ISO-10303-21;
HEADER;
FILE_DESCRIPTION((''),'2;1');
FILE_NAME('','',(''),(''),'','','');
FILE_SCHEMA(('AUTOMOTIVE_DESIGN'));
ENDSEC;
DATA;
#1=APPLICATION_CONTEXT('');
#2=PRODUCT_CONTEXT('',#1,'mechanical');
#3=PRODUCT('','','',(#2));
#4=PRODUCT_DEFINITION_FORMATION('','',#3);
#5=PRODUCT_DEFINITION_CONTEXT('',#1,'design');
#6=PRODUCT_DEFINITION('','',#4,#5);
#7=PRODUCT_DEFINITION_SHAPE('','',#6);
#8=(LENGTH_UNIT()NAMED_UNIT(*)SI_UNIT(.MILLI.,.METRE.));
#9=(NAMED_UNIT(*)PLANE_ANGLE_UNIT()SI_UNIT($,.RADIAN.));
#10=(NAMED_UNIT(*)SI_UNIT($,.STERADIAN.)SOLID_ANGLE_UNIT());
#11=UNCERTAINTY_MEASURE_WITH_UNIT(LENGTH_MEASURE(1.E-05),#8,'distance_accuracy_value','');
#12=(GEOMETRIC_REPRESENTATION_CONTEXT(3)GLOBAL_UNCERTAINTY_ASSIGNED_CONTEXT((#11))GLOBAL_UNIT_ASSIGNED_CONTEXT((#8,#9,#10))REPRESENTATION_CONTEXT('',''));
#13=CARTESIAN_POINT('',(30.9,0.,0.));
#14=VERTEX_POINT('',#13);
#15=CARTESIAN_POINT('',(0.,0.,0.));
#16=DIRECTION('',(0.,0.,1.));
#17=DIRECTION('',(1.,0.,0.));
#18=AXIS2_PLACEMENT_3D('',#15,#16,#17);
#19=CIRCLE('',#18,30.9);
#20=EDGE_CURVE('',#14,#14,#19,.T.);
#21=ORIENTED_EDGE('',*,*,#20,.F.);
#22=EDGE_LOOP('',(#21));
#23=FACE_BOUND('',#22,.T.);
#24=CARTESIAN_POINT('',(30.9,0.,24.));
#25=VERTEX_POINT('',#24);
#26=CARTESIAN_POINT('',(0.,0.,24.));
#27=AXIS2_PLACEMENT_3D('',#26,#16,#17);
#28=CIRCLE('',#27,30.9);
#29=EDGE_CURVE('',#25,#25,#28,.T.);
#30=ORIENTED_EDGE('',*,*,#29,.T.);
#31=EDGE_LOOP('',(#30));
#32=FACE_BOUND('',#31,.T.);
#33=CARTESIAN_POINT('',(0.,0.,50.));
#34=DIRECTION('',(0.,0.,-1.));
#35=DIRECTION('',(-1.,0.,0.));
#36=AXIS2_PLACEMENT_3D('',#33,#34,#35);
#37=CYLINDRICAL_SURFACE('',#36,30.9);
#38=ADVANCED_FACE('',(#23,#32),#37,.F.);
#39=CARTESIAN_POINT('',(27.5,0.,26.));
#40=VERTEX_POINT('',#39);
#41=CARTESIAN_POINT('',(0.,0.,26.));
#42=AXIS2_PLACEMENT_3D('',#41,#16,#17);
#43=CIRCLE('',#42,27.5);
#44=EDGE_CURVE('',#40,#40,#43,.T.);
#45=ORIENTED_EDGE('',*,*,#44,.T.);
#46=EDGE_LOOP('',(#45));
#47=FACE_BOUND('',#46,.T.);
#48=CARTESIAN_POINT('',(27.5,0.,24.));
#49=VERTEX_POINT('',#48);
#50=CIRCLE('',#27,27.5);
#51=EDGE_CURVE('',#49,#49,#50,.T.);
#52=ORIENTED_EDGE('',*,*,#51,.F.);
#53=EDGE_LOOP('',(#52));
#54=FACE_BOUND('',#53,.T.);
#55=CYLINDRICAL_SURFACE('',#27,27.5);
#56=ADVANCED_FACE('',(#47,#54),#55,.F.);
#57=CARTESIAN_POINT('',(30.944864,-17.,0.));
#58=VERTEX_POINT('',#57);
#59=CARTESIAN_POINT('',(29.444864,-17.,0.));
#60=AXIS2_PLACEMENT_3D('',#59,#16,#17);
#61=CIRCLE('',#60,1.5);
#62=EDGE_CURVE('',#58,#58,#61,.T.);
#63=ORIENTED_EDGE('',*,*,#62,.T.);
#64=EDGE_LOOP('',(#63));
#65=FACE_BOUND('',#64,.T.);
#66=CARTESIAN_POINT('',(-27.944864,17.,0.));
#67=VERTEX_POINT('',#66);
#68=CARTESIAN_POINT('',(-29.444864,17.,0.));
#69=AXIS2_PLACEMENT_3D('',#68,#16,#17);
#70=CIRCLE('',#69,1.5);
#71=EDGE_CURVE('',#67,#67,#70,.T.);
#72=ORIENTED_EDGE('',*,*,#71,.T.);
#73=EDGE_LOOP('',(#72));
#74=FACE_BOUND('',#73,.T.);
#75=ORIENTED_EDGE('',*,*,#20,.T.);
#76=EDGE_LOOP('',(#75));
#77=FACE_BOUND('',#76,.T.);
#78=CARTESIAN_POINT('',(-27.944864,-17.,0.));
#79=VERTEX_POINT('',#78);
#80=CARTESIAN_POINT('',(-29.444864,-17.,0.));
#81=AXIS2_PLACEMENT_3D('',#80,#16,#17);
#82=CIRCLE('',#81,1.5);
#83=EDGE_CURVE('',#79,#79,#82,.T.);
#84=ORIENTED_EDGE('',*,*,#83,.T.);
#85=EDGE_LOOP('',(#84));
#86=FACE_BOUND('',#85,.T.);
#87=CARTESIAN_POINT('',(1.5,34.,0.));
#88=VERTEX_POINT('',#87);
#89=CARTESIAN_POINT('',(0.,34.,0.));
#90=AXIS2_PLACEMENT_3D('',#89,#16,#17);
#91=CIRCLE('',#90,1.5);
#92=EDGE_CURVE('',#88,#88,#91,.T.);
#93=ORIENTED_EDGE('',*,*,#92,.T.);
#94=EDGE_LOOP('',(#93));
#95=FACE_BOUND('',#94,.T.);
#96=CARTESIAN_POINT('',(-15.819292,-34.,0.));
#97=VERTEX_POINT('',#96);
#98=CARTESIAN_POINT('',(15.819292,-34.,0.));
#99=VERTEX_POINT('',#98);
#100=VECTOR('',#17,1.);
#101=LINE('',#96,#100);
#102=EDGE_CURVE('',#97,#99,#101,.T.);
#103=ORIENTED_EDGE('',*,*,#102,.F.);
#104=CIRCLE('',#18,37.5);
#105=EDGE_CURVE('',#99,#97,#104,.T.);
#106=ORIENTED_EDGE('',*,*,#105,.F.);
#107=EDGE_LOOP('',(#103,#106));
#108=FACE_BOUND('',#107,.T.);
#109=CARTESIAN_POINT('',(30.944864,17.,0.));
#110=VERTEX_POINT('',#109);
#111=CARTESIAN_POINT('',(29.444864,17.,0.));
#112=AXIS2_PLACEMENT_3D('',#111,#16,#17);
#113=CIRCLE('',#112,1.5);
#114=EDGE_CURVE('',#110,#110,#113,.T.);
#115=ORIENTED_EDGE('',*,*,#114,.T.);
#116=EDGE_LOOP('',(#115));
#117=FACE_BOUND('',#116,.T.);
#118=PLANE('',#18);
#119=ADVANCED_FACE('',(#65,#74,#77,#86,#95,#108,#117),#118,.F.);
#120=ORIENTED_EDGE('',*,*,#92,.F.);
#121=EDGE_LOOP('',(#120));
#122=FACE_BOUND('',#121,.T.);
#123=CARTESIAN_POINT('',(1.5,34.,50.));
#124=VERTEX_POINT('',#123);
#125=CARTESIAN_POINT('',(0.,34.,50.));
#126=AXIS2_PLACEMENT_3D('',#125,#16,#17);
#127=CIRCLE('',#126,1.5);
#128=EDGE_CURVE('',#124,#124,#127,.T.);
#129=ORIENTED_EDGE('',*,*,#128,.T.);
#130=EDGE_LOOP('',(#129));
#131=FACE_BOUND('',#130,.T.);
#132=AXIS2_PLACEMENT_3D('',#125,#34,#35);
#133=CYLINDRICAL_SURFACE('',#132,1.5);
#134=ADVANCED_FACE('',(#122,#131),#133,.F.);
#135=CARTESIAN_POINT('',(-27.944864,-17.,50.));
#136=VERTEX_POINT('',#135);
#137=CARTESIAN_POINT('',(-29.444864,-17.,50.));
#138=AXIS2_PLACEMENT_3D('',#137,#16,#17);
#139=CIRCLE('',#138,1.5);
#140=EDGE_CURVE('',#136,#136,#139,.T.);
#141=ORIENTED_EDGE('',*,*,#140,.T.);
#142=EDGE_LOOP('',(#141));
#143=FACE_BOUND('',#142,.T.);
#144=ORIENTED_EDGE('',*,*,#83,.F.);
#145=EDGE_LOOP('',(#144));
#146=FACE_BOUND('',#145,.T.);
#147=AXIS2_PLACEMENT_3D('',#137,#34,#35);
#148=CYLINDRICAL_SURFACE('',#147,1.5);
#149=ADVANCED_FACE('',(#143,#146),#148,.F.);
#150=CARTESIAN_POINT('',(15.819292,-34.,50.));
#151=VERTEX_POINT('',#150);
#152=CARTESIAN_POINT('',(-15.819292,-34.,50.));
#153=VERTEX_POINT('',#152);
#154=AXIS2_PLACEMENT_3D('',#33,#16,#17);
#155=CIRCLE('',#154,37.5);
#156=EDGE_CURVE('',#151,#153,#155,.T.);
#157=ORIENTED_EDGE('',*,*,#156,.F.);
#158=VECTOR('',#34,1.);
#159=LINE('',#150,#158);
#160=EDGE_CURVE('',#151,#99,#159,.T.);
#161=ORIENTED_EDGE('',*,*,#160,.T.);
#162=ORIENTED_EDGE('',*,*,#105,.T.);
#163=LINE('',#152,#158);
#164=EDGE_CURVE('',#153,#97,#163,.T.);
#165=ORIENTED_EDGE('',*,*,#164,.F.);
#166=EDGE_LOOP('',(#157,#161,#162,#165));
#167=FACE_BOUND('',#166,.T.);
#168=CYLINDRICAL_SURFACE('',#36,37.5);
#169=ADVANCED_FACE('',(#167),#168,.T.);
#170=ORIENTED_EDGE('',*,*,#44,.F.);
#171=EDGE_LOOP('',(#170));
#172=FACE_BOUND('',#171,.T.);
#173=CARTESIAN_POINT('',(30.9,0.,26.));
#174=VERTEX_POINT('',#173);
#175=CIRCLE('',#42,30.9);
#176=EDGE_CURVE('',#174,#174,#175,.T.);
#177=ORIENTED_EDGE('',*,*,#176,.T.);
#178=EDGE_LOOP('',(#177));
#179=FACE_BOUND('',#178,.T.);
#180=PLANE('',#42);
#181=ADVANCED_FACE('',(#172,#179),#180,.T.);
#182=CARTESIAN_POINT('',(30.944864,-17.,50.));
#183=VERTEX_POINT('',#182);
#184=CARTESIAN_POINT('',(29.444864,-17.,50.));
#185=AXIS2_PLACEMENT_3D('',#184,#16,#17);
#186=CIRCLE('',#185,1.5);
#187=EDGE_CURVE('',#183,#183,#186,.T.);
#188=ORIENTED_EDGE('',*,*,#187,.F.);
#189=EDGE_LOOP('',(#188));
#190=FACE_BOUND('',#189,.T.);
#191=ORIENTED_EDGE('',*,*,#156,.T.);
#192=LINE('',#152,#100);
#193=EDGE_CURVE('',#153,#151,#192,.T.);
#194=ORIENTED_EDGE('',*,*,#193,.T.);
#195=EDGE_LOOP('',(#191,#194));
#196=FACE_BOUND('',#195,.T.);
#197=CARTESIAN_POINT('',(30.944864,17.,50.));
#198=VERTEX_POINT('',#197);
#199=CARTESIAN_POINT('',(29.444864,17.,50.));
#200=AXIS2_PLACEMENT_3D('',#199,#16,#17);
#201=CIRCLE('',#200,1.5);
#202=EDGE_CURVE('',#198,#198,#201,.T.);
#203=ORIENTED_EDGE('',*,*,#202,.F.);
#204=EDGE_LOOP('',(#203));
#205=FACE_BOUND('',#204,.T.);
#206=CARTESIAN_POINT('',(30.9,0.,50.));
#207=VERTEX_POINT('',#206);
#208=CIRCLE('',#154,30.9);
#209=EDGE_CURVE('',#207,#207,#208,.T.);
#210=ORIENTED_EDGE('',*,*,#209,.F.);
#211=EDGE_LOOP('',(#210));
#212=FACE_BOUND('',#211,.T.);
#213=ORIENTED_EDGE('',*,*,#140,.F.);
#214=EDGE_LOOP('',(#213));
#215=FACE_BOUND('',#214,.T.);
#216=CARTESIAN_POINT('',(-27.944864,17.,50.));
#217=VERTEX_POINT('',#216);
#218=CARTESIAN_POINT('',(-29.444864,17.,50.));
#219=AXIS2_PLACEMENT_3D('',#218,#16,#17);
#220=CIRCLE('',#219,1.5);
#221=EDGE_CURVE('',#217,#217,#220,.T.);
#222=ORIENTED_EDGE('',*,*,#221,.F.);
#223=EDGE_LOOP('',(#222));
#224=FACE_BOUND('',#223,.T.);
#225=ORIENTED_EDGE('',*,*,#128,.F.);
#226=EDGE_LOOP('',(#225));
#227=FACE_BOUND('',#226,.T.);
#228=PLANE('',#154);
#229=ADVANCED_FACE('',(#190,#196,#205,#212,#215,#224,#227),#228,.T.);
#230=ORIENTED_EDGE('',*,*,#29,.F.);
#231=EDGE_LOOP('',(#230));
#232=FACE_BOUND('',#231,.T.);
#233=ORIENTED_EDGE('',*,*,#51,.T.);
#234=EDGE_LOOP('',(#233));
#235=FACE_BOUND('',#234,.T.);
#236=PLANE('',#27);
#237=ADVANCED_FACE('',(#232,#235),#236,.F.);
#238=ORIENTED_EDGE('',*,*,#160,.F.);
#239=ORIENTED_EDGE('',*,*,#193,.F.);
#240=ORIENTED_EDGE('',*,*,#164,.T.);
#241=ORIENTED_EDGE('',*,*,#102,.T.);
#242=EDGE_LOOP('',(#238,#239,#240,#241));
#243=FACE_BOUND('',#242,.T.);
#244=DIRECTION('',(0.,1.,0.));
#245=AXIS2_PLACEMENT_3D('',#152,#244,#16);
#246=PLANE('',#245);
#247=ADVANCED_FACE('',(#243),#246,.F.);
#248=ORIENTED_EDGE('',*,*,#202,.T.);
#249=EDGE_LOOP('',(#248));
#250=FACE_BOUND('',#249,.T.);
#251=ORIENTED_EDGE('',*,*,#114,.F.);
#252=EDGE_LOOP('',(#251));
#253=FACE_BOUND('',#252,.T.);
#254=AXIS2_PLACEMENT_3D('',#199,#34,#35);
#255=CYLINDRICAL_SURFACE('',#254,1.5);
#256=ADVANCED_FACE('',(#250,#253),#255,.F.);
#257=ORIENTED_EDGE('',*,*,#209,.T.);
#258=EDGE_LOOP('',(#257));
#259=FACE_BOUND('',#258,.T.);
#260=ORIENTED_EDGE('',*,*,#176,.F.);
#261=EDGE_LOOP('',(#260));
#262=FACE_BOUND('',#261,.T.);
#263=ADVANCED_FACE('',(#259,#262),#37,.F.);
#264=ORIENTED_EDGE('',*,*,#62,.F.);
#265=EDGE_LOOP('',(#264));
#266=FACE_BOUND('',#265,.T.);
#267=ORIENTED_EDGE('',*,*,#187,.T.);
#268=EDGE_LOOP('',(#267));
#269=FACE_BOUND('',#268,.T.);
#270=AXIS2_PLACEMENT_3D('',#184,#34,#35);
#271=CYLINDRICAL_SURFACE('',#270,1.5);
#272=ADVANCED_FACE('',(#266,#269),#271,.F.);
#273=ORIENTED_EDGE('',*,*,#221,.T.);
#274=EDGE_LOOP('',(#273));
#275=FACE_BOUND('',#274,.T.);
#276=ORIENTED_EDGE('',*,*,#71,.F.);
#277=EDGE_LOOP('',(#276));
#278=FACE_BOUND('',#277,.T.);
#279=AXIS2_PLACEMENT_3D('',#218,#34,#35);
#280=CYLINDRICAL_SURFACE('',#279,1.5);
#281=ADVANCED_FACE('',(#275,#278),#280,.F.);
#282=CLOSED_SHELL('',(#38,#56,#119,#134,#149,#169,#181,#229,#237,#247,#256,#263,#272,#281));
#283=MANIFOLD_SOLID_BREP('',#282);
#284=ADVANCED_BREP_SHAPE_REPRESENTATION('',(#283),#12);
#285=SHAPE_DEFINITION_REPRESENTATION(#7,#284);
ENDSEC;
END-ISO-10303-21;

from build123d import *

# Parameters (mm, degrees)
SKETCH1_R                = 30.9
SKETCH1_R_2              = 1.5
BOSS_EXTRUDE1_DEPTH      = 50
BOSS_EXTRUDE2_DEPTH      = 1
BOSS_EXTRUDE2_DEPTH_BACK = 1
SKETCH2_R                = 30.9
SKETCH2_R_2              = 27.5


with BuildPart() as part:
    # Sketch1 → Boss-Extrude1 (new body)
    with BuildSketch(Plane.XY):
        with BuildLine():
            Line((-15.81929202, -34), (15.81929202, -34))
            ThreePointArc((15.81929202, -34), (0, 37.5), (-15.81929202, -34))
        make_face()
        Circle(SKETCH1_R, mode=Mode.SUBTRACT)
        with Locations((0, 34)):
            Circle(SKETCH1_R_2, mode=Mode.SUBTRACT)
        with Locations((29.444863729, 17)):
            Circle(SKETCH1_R_2, mode=Mode.SUBTRACT)
        with Locations((29.444863729, -17)):
            Circle(SKETCH1_R_2, mode=Mode.SUBTRACT)
        with Locations((-29.444863729, -17)):
            Circle(SKETCH1_R_2, mode=Mode.SUBTRACT)
        with Locations((-29.444863729, 17)):
            Circle(SKETCH1_R_2, mode=Mode.SUBTRACT)
    extrude(amount=BOSS_EXTRUDE1_DEPTH)

    # Sketch2 → Boss-Extrude2 (add, two sides: drawn at the far end of the back side and taken through both)
    with BuildSketch(Plane.XY.offset(25).offset(-BOSS_EXTRUDE2_DEPTH_BACK)):
        Circle(SKETCH2_R)
        Circle(SKETCH2_R_2, mode=Mode.SUBTRACT)
    extrude(amount=BOSS_EXTRUDE2_DEPTH + BOSS_EXTRUDE2_DEPTH_BACK)


solid = part.part
